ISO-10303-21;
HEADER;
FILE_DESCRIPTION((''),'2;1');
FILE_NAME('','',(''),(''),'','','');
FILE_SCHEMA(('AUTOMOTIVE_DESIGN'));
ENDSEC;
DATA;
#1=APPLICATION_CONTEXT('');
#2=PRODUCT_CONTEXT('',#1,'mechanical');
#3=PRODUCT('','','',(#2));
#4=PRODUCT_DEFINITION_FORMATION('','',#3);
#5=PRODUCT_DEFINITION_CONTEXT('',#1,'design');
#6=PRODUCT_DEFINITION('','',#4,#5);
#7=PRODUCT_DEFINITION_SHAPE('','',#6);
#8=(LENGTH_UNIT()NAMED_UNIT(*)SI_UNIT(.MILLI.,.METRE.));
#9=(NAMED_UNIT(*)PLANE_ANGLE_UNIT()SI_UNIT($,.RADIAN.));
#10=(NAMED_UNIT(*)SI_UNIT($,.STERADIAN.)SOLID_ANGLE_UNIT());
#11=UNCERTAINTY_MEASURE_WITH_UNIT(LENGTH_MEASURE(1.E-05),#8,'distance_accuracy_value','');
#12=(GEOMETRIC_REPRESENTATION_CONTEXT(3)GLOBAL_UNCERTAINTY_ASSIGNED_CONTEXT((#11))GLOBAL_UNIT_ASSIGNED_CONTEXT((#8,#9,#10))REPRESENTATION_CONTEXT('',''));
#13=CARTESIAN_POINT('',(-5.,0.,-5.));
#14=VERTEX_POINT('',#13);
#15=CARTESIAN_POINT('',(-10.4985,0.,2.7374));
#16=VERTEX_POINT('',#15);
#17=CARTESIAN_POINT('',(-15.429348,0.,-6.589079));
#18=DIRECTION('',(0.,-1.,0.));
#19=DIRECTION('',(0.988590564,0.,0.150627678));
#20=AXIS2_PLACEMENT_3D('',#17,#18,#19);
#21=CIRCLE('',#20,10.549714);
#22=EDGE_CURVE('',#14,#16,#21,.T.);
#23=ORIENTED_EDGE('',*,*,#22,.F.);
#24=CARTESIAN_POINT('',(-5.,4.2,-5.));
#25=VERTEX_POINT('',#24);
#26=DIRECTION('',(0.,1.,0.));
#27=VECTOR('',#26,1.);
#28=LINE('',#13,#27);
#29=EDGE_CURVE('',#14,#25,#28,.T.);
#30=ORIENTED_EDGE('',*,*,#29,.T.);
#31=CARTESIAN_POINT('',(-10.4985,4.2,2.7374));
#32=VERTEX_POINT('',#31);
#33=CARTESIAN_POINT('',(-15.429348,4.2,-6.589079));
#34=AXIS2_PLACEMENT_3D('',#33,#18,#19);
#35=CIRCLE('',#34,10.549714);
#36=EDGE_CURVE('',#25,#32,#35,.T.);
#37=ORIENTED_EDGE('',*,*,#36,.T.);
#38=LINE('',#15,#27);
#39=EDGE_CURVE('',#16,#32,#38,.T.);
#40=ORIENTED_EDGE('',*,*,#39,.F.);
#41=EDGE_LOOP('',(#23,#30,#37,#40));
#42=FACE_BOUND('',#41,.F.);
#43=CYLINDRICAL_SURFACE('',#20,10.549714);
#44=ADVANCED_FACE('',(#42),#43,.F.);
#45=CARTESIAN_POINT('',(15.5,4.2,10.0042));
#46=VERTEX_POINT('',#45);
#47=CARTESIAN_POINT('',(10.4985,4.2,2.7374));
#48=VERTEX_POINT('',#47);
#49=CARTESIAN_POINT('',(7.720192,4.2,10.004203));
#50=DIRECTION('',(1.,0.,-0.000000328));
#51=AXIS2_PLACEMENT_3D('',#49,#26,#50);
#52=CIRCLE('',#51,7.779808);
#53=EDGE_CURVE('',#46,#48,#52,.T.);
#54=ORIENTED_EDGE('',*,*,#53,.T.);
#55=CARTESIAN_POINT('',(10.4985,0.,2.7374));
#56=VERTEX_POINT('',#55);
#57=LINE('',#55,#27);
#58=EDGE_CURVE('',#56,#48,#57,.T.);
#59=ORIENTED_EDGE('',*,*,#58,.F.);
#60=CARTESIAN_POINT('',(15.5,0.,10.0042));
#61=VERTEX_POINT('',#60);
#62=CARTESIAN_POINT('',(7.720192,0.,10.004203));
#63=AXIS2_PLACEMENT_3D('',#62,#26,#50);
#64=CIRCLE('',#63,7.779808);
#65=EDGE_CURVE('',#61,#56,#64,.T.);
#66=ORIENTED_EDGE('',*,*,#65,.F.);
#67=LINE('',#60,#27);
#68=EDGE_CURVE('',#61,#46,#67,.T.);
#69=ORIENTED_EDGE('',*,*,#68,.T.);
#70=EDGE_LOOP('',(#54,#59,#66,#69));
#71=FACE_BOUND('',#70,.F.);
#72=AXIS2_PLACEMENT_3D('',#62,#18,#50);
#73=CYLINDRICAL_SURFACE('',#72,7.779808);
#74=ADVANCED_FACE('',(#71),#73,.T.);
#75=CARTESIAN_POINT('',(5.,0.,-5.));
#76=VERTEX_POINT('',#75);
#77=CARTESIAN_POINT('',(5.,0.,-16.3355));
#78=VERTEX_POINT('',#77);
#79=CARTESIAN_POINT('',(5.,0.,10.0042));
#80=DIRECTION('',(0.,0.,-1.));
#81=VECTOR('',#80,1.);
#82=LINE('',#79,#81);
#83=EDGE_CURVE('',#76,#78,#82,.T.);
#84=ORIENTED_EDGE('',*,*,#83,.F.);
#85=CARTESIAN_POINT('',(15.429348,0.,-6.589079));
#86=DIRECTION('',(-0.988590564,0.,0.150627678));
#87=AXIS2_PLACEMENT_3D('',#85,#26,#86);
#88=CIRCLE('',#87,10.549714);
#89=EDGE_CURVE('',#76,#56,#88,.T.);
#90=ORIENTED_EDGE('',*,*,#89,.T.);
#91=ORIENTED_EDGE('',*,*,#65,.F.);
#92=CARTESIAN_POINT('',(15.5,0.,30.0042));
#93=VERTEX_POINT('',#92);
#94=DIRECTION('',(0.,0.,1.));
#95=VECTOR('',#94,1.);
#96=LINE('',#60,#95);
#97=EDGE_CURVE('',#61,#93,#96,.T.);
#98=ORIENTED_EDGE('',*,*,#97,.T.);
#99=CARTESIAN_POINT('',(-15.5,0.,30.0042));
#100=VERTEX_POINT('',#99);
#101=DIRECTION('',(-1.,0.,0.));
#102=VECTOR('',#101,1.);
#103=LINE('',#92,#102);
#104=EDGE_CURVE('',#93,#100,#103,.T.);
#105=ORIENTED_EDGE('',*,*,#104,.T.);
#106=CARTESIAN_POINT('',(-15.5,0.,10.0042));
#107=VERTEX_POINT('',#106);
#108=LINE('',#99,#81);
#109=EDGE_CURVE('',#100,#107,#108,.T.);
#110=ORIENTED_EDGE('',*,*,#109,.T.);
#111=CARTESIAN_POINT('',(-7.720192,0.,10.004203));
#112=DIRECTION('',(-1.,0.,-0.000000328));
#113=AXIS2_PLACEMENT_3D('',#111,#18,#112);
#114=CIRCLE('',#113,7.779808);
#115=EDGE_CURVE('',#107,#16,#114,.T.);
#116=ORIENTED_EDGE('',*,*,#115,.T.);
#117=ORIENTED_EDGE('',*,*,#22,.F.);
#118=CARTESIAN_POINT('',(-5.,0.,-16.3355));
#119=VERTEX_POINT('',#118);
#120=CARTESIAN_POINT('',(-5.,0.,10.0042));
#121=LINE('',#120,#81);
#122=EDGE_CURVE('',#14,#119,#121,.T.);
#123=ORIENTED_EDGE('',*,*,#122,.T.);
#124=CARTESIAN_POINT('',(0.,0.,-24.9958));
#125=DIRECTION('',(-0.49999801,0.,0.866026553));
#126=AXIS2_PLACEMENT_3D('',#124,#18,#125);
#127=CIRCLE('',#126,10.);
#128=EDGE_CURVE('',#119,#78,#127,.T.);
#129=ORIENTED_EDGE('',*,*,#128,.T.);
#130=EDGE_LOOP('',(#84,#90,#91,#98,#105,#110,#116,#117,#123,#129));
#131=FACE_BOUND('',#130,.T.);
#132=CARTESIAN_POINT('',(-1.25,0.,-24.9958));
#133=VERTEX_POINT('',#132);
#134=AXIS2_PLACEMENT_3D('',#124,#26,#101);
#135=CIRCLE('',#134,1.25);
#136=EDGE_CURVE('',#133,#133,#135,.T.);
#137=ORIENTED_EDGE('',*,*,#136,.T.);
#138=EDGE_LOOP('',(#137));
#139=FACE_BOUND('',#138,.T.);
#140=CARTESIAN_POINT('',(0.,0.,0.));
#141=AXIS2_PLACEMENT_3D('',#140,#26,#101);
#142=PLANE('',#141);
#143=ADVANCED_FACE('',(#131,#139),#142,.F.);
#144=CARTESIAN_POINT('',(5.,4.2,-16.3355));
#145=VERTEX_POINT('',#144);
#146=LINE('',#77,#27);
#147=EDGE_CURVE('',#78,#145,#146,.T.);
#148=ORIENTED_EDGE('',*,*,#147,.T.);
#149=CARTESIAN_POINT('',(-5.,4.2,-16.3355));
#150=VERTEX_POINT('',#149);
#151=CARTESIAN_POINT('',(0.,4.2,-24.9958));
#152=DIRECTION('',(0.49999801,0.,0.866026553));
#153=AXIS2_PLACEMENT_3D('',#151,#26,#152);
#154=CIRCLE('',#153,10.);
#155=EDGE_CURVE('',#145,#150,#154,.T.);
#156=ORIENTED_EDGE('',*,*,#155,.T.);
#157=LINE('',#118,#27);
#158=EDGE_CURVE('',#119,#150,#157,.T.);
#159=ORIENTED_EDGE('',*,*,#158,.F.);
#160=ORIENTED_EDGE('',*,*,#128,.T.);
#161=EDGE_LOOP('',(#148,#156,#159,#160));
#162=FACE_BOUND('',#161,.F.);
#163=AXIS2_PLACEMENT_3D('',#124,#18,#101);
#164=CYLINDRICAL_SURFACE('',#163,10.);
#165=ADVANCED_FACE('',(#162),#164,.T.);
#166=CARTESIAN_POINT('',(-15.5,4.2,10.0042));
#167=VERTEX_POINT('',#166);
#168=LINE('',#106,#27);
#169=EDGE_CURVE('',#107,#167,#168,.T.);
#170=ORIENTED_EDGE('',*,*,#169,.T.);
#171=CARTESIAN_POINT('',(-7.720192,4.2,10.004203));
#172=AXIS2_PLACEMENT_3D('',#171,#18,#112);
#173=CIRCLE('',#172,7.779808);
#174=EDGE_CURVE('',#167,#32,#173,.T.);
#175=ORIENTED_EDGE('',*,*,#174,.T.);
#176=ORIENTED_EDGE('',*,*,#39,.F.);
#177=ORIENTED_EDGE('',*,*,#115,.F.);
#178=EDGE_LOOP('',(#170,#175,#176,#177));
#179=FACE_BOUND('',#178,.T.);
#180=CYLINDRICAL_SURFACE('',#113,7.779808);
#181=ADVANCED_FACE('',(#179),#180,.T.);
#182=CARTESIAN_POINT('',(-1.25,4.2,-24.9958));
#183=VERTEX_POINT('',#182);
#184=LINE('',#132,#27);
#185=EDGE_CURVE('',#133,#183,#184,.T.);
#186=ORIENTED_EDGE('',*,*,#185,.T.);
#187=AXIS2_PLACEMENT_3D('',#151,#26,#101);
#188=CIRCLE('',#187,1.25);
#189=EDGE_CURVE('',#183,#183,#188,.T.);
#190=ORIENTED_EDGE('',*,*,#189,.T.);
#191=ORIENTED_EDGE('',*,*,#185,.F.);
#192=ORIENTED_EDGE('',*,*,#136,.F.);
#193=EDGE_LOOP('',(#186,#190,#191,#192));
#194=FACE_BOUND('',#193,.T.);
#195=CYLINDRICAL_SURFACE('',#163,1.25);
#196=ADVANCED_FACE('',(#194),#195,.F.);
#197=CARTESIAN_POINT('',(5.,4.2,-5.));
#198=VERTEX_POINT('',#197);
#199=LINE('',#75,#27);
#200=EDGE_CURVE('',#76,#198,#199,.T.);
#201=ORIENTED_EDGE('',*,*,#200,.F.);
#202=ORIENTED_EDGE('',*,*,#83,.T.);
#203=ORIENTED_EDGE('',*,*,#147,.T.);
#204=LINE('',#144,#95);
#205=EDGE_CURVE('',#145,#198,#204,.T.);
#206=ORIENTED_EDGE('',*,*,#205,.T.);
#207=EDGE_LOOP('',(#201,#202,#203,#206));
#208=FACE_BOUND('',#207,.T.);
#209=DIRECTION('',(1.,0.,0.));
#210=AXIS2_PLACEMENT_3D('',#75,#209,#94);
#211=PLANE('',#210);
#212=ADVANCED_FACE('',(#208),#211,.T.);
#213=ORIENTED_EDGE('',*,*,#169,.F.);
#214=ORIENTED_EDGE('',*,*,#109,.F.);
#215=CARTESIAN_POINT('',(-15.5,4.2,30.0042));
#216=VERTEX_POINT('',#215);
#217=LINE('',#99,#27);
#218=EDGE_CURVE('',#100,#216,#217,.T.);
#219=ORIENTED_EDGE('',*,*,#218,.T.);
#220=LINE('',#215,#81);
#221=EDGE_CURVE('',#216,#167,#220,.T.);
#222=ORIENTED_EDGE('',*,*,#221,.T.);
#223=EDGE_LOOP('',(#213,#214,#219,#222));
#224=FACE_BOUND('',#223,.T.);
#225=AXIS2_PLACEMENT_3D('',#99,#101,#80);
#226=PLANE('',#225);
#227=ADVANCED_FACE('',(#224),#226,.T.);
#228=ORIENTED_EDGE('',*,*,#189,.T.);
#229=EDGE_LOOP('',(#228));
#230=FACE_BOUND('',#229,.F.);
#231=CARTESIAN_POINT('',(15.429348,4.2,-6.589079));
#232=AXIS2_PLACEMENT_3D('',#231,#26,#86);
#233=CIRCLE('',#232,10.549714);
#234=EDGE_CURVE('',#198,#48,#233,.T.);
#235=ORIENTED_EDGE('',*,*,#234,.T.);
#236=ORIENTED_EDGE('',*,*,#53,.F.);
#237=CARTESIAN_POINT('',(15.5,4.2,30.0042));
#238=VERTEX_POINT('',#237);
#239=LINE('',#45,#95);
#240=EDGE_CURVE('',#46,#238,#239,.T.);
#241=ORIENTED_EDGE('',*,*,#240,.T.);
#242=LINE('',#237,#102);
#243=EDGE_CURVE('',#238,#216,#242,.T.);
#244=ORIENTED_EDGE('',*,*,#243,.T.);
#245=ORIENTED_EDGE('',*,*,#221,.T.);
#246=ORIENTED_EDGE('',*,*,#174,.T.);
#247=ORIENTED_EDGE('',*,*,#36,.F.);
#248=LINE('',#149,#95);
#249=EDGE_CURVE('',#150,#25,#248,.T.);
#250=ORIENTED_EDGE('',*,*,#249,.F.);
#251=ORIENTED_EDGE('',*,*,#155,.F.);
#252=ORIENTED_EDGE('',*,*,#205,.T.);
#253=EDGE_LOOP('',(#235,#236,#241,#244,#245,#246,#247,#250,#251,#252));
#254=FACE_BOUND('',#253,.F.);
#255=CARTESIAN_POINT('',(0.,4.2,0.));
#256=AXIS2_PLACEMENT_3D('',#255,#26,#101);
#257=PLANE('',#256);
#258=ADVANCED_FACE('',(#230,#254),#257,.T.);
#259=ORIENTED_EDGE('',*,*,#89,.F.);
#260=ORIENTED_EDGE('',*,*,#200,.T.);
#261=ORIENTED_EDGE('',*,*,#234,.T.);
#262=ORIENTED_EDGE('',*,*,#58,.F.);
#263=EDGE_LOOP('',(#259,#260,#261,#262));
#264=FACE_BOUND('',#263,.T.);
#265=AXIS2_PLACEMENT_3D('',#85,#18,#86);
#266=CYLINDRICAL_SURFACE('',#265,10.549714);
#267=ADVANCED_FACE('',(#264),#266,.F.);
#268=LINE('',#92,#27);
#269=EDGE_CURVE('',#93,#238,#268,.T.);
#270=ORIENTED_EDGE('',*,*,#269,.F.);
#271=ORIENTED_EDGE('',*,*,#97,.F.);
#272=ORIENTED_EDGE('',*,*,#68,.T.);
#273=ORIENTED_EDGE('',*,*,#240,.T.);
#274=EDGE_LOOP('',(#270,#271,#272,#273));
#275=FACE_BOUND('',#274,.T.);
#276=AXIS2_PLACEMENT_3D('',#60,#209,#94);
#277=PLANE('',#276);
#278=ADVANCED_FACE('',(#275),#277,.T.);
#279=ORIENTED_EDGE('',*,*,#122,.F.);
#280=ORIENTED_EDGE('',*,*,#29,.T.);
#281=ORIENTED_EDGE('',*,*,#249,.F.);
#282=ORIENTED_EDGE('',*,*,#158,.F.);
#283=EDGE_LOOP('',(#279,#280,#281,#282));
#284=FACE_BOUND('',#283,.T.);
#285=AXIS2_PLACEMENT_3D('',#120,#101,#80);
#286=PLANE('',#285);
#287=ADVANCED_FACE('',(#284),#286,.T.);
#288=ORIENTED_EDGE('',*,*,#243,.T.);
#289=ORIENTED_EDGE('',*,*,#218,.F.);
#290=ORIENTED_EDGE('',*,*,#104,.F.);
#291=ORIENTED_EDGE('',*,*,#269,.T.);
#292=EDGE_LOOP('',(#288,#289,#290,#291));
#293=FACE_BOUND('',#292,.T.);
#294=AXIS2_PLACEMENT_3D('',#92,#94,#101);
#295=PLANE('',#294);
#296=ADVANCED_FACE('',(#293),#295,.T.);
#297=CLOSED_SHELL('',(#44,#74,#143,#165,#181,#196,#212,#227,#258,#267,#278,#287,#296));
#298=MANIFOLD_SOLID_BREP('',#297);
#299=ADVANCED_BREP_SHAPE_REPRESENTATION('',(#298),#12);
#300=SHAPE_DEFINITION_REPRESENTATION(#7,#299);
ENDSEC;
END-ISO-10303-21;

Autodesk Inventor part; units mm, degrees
ref_plane "YZ Plane" through (0, 0, 0) normal (1, 0, 0) x (0, 1, 0)
ref_plane "XZ Plane" through (0, 0, 0) normal (0, 1, 0) x (-1, 0, 0)
ref_plane "XY Plane" through (0, 0, 0) normal (0, 0, 1) x (1, 0, 0)
sketch "Sketch1" plane through (0, 0, 0) normal (0, 1, 0) x (-1, 0, 0)
  line L0 (-5, 10.0042) -> (5, 10.0042)
  line L1 (5, 10.0042) -> (5, -14.9958)
  line L2 (5, -14.9958) -> (-5, -14.9958)
  line L3 (-5, -14.9958) -> (-5, 10.0042)
  circle A0 centre (0, -24.9958) radius 10
  circle A1 centre (0, -24.9958) radius 1.25
  line L4 (-5, -14.9958) -> (-5, -16.3355)
  line L5 (5, -14.9958) -> (5, -16.3355)
  line L6 (-15.5, 30.0042) -> (15.5, 30.0042)
  line L7 (15.5, 30.0042) -> (15.5, 10.0042)
  line L8 (15.5, 10.0042) -> (-15.5, 10.0042)
  line L9 (-15.5, 10.0042) -> (-15.5, 30.0042)
  arc A2 (-5, -5) -> (-10.4985, 2.7374) centre (-15.4294, -6.5891) ccw
  arc A3 (-15.5, 10.0042) -> (-10.4985, 2.7374) centre (-7.7202, 10.0042) ccw
  line L10 (0, 46.7954) -> (0, -49.019) construction
  line L11 (-15.5, 10.0042) -> (-5, 10.0042)
  point P0 (0, 0)
  point P1 (0, -14.9958)
  point P2 (0, 10.0042)
  point P3 (0, 10.0042)
  dimension "d0" = 25
  dimension "d1" = 10
  dimension "d2" = 20
  dimension "d3" = 2.5
  dimension "d6" = 31
  dimension "d7" = 20
extrude "Extrusion1" add sketch "Sketch1" along normal blind 4.2 contours L8 L9 L6 L7 L0 | L0 L1 L2 L3 | L5 A0 L2 | L2 A0 L4 | A0
extrude "Extrusion2" add sketch "Sketch1" along normal blind 4.2 contours L3 A2 A3 L8
mirror "Mirror1" about plane through (0, 0, 0) normal (1, 0, 0) of "Extrusion2"
properties part number "ToolHolder"
